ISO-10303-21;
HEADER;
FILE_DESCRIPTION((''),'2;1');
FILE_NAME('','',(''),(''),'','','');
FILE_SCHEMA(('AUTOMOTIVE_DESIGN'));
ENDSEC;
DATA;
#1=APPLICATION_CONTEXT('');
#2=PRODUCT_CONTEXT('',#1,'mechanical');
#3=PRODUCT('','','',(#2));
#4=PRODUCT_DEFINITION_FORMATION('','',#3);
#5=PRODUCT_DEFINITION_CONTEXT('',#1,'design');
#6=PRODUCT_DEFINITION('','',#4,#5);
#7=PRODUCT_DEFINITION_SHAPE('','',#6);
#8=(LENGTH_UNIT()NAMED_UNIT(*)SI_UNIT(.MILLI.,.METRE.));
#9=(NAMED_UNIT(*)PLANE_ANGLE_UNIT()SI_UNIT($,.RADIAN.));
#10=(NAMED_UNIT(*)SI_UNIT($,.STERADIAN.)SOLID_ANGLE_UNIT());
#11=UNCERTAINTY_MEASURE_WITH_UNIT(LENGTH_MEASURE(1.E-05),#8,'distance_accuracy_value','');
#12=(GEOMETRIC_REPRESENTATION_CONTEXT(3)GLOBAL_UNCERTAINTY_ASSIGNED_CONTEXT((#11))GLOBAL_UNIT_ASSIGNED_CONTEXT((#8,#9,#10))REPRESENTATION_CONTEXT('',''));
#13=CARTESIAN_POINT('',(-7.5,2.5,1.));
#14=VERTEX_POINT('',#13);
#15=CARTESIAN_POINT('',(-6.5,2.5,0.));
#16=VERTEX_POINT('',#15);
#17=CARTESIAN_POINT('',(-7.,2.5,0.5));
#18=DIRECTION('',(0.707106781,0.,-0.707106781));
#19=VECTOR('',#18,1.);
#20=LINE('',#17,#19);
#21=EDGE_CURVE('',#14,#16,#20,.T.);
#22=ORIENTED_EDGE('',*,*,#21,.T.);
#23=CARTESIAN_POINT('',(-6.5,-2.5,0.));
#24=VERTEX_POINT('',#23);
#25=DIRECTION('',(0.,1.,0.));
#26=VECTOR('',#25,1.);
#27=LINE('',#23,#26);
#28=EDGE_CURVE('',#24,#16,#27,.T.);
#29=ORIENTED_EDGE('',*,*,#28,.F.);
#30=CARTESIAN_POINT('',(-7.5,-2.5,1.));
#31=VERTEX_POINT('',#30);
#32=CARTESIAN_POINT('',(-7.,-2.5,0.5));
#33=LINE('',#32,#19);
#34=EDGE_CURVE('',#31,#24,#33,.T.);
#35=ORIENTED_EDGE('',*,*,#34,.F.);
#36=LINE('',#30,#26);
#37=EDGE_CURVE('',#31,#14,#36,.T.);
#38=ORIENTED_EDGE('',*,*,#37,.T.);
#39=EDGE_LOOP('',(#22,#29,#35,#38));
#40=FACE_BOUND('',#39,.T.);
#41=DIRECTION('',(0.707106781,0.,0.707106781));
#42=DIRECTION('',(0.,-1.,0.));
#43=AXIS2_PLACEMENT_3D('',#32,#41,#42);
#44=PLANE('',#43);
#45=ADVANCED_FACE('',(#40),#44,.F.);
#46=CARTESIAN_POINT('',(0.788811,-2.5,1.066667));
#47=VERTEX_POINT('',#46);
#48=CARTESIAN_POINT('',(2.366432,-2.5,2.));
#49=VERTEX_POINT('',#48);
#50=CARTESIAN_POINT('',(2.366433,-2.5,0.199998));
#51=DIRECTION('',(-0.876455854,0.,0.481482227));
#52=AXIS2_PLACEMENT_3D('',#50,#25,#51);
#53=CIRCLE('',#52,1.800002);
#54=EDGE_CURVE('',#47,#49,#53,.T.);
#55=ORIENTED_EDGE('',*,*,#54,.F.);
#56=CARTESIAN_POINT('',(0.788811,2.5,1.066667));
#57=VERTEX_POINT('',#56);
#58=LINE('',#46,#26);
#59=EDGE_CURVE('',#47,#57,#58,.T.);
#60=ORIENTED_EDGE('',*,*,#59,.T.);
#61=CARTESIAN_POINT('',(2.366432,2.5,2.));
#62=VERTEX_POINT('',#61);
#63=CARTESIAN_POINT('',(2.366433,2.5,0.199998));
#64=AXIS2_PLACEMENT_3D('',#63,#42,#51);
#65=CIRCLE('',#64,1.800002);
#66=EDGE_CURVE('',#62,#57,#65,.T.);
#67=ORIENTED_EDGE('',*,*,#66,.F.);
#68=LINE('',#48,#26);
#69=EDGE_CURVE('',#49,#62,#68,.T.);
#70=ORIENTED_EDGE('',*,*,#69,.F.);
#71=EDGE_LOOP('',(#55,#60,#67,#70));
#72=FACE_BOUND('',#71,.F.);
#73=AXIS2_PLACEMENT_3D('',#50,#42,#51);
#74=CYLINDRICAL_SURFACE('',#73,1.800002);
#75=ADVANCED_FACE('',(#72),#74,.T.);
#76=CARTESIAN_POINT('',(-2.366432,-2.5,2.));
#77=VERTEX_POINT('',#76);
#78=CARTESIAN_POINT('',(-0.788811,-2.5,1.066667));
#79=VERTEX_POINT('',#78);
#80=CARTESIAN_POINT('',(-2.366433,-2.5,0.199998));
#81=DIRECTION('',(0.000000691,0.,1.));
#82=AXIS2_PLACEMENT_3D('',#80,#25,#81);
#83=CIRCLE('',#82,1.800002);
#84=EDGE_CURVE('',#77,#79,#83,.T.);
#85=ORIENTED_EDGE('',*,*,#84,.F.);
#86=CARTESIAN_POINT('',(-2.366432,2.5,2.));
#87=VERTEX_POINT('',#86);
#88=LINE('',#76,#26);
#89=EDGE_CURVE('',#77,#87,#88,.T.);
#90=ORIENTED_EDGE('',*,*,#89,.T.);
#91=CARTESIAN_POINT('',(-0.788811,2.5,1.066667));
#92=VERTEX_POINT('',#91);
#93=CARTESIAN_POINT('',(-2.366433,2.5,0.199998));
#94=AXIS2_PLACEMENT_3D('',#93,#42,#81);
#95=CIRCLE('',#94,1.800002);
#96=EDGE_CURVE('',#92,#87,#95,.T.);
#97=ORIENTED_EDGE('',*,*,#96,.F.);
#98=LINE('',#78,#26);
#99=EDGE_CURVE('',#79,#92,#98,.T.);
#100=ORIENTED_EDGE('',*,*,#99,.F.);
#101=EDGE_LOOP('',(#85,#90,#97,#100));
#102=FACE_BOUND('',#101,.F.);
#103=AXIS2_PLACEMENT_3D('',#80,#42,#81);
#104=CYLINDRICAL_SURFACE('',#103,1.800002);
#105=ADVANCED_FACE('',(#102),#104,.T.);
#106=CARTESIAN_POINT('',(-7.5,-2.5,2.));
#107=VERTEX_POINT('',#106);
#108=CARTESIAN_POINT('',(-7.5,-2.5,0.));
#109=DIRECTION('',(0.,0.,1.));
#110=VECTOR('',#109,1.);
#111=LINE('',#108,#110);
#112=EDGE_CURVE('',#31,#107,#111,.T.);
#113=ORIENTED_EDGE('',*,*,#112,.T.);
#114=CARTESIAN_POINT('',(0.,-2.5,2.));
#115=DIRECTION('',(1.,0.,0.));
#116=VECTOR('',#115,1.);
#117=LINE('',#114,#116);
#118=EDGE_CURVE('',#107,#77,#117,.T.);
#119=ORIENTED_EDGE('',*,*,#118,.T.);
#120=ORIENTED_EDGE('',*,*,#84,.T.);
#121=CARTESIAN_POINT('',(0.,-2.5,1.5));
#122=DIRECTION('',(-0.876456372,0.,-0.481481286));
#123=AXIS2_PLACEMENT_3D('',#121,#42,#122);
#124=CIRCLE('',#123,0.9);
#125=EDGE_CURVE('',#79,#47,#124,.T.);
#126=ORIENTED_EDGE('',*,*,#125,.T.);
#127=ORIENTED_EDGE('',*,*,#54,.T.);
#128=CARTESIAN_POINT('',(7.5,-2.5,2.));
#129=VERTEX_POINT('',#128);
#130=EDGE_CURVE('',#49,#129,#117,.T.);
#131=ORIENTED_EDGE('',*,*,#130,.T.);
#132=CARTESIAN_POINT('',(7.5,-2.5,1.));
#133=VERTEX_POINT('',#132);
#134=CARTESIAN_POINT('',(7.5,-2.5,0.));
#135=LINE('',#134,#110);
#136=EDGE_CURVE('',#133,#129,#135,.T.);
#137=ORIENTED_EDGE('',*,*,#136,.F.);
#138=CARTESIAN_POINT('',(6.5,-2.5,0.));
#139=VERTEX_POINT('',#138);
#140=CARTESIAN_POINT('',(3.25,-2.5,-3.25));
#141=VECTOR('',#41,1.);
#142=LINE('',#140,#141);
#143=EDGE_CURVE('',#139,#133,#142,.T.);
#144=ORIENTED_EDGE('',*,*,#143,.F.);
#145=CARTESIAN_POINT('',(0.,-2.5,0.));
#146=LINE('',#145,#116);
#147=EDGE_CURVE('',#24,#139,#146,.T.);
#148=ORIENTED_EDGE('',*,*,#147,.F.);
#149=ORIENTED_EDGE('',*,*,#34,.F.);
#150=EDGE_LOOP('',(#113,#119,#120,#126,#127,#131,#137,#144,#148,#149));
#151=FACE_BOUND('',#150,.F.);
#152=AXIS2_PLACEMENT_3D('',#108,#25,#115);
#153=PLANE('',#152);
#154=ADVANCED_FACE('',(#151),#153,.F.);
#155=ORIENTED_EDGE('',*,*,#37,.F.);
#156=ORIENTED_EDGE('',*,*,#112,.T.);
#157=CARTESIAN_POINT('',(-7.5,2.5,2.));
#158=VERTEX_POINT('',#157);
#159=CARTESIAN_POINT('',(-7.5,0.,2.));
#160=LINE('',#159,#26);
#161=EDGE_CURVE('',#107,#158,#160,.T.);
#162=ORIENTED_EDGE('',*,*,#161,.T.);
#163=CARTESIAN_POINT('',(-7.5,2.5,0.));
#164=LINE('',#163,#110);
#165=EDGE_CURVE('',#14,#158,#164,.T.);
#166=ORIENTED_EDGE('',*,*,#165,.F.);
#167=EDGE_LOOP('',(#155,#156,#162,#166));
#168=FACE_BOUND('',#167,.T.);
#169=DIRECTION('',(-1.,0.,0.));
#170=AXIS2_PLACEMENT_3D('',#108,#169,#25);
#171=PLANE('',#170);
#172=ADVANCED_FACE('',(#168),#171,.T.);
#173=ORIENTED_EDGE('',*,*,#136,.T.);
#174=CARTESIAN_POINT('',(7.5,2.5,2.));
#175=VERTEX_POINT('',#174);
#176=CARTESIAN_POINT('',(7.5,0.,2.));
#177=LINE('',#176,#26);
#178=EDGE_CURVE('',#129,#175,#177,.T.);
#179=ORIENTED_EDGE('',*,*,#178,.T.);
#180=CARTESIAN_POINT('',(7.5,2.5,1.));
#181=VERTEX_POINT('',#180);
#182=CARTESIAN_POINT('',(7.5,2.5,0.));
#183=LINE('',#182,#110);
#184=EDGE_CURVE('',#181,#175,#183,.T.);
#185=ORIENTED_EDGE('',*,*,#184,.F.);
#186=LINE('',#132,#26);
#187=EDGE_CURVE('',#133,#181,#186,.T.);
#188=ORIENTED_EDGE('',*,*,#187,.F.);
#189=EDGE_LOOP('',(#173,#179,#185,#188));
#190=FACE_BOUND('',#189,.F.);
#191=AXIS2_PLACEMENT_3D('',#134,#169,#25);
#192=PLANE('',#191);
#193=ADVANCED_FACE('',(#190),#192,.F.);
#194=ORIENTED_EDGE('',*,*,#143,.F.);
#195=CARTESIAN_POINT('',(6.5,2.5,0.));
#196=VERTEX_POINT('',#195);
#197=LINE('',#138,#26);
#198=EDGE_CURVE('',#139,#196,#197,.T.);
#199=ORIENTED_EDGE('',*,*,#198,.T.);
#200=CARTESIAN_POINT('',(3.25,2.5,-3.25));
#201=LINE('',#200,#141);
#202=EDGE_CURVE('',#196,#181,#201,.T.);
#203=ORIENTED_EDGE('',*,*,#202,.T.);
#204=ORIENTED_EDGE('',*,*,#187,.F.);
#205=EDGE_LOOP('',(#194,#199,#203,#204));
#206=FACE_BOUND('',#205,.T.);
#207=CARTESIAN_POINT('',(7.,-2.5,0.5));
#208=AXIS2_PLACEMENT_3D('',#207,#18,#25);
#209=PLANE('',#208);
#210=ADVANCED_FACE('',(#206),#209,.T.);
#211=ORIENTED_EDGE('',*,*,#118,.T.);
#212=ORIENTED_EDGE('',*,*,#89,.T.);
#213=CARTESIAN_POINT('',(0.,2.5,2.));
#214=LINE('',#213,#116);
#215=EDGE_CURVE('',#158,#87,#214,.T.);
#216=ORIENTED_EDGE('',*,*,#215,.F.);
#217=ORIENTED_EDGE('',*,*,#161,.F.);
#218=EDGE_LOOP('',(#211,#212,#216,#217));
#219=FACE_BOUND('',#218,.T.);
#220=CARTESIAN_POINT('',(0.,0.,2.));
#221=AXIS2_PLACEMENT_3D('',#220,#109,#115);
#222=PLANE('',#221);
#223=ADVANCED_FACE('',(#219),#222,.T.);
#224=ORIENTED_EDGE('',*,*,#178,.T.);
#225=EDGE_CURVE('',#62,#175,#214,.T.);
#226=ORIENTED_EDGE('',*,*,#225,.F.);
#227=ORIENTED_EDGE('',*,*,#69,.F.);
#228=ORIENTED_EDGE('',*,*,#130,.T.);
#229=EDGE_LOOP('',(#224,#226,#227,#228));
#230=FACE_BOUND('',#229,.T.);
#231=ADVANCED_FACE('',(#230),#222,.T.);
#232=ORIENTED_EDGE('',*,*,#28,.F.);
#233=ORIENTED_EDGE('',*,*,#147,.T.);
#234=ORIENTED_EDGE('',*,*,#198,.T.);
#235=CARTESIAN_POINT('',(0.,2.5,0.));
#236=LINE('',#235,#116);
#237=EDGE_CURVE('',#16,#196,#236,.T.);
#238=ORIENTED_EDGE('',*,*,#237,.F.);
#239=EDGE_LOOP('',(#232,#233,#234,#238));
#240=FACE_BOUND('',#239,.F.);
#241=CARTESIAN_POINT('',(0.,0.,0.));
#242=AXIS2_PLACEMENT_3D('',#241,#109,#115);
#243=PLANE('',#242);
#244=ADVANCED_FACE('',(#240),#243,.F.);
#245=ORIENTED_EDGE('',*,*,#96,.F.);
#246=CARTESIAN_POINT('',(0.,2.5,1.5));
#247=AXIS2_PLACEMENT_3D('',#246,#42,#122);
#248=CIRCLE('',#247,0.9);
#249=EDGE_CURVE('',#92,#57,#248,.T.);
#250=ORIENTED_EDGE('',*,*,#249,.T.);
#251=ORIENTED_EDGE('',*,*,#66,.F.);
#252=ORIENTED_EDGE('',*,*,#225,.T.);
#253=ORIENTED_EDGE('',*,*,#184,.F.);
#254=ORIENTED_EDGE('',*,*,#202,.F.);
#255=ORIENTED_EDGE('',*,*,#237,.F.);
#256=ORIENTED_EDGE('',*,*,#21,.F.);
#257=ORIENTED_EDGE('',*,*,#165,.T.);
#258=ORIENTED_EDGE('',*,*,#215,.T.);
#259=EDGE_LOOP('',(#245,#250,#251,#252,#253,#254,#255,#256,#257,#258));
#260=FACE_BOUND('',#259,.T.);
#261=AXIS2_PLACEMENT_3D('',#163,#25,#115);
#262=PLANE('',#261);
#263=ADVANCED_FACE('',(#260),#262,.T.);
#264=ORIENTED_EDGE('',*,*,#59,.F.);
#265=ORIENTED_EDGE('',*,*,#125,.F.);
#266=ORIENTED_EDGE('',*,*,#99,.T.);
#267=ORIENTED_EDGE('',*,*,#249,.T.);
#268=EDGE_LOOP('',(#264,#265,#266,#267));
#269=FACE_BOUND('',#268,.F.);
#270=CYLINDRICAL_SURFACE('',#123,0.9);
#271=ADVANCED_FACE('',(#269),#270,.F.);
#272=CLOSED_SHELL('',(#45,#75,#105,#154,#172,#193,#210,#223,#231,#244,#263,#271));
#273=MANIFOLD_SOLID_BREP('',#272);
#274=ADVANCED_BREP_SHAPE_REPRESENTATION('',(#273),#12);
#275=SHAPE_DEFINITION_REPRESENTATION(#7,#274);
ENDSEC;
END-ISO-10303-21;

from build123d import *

# Parameters (mm, degrees)
F0_W     = 15
F0_H     = 5
F1_DEPTH = 2
F2_W     = 4.732864
F2_H     = 0.538756
F3_DEPTH = 5.001
F4_SIZE  = 1


with BuildPart() as f1:
    # F0 (on Top) → F1 (new body)
    with BuildSketch(Plane.XY):
        Rectangle(F0_W, F0_H)
    extrude(amount=F1_DEPTH)

    # F2 (on face) → F3 (cut, through all)
    with BuildSketch(Plane.XZ.offset(2.5)):
        with BuildLine():
            ThreePointArc((-2.366432, 2), (-1.449917, 1.749193), (-0.788811, 1.066667))
            ThreePointArc((-0.788811, 1.066667), (0, 0.6), (0.788811, 1.066667))
            ThreePointArc((0.788811, 1.066667), (1.449917, 1.749193), (2.366432, 2))
            Line((2.366432, 2), (-2.366432, 2))
        make_face()
        with Locations((0, 2.269378)):
            Rectangle(F2_W, F2_H)
    extrude(amount=-F3_DEPTH, mode=Mode.SUBTRACT)

    # F4
    f4_edges = [f1.edges().sort_by_distance(p)[0] for p in [
        (-7.5, 0, 0),
        (7.5, 0, 0),
    ]]
    chamfer(f4_edges, length=F4_SIZE)


solid = f1.part
